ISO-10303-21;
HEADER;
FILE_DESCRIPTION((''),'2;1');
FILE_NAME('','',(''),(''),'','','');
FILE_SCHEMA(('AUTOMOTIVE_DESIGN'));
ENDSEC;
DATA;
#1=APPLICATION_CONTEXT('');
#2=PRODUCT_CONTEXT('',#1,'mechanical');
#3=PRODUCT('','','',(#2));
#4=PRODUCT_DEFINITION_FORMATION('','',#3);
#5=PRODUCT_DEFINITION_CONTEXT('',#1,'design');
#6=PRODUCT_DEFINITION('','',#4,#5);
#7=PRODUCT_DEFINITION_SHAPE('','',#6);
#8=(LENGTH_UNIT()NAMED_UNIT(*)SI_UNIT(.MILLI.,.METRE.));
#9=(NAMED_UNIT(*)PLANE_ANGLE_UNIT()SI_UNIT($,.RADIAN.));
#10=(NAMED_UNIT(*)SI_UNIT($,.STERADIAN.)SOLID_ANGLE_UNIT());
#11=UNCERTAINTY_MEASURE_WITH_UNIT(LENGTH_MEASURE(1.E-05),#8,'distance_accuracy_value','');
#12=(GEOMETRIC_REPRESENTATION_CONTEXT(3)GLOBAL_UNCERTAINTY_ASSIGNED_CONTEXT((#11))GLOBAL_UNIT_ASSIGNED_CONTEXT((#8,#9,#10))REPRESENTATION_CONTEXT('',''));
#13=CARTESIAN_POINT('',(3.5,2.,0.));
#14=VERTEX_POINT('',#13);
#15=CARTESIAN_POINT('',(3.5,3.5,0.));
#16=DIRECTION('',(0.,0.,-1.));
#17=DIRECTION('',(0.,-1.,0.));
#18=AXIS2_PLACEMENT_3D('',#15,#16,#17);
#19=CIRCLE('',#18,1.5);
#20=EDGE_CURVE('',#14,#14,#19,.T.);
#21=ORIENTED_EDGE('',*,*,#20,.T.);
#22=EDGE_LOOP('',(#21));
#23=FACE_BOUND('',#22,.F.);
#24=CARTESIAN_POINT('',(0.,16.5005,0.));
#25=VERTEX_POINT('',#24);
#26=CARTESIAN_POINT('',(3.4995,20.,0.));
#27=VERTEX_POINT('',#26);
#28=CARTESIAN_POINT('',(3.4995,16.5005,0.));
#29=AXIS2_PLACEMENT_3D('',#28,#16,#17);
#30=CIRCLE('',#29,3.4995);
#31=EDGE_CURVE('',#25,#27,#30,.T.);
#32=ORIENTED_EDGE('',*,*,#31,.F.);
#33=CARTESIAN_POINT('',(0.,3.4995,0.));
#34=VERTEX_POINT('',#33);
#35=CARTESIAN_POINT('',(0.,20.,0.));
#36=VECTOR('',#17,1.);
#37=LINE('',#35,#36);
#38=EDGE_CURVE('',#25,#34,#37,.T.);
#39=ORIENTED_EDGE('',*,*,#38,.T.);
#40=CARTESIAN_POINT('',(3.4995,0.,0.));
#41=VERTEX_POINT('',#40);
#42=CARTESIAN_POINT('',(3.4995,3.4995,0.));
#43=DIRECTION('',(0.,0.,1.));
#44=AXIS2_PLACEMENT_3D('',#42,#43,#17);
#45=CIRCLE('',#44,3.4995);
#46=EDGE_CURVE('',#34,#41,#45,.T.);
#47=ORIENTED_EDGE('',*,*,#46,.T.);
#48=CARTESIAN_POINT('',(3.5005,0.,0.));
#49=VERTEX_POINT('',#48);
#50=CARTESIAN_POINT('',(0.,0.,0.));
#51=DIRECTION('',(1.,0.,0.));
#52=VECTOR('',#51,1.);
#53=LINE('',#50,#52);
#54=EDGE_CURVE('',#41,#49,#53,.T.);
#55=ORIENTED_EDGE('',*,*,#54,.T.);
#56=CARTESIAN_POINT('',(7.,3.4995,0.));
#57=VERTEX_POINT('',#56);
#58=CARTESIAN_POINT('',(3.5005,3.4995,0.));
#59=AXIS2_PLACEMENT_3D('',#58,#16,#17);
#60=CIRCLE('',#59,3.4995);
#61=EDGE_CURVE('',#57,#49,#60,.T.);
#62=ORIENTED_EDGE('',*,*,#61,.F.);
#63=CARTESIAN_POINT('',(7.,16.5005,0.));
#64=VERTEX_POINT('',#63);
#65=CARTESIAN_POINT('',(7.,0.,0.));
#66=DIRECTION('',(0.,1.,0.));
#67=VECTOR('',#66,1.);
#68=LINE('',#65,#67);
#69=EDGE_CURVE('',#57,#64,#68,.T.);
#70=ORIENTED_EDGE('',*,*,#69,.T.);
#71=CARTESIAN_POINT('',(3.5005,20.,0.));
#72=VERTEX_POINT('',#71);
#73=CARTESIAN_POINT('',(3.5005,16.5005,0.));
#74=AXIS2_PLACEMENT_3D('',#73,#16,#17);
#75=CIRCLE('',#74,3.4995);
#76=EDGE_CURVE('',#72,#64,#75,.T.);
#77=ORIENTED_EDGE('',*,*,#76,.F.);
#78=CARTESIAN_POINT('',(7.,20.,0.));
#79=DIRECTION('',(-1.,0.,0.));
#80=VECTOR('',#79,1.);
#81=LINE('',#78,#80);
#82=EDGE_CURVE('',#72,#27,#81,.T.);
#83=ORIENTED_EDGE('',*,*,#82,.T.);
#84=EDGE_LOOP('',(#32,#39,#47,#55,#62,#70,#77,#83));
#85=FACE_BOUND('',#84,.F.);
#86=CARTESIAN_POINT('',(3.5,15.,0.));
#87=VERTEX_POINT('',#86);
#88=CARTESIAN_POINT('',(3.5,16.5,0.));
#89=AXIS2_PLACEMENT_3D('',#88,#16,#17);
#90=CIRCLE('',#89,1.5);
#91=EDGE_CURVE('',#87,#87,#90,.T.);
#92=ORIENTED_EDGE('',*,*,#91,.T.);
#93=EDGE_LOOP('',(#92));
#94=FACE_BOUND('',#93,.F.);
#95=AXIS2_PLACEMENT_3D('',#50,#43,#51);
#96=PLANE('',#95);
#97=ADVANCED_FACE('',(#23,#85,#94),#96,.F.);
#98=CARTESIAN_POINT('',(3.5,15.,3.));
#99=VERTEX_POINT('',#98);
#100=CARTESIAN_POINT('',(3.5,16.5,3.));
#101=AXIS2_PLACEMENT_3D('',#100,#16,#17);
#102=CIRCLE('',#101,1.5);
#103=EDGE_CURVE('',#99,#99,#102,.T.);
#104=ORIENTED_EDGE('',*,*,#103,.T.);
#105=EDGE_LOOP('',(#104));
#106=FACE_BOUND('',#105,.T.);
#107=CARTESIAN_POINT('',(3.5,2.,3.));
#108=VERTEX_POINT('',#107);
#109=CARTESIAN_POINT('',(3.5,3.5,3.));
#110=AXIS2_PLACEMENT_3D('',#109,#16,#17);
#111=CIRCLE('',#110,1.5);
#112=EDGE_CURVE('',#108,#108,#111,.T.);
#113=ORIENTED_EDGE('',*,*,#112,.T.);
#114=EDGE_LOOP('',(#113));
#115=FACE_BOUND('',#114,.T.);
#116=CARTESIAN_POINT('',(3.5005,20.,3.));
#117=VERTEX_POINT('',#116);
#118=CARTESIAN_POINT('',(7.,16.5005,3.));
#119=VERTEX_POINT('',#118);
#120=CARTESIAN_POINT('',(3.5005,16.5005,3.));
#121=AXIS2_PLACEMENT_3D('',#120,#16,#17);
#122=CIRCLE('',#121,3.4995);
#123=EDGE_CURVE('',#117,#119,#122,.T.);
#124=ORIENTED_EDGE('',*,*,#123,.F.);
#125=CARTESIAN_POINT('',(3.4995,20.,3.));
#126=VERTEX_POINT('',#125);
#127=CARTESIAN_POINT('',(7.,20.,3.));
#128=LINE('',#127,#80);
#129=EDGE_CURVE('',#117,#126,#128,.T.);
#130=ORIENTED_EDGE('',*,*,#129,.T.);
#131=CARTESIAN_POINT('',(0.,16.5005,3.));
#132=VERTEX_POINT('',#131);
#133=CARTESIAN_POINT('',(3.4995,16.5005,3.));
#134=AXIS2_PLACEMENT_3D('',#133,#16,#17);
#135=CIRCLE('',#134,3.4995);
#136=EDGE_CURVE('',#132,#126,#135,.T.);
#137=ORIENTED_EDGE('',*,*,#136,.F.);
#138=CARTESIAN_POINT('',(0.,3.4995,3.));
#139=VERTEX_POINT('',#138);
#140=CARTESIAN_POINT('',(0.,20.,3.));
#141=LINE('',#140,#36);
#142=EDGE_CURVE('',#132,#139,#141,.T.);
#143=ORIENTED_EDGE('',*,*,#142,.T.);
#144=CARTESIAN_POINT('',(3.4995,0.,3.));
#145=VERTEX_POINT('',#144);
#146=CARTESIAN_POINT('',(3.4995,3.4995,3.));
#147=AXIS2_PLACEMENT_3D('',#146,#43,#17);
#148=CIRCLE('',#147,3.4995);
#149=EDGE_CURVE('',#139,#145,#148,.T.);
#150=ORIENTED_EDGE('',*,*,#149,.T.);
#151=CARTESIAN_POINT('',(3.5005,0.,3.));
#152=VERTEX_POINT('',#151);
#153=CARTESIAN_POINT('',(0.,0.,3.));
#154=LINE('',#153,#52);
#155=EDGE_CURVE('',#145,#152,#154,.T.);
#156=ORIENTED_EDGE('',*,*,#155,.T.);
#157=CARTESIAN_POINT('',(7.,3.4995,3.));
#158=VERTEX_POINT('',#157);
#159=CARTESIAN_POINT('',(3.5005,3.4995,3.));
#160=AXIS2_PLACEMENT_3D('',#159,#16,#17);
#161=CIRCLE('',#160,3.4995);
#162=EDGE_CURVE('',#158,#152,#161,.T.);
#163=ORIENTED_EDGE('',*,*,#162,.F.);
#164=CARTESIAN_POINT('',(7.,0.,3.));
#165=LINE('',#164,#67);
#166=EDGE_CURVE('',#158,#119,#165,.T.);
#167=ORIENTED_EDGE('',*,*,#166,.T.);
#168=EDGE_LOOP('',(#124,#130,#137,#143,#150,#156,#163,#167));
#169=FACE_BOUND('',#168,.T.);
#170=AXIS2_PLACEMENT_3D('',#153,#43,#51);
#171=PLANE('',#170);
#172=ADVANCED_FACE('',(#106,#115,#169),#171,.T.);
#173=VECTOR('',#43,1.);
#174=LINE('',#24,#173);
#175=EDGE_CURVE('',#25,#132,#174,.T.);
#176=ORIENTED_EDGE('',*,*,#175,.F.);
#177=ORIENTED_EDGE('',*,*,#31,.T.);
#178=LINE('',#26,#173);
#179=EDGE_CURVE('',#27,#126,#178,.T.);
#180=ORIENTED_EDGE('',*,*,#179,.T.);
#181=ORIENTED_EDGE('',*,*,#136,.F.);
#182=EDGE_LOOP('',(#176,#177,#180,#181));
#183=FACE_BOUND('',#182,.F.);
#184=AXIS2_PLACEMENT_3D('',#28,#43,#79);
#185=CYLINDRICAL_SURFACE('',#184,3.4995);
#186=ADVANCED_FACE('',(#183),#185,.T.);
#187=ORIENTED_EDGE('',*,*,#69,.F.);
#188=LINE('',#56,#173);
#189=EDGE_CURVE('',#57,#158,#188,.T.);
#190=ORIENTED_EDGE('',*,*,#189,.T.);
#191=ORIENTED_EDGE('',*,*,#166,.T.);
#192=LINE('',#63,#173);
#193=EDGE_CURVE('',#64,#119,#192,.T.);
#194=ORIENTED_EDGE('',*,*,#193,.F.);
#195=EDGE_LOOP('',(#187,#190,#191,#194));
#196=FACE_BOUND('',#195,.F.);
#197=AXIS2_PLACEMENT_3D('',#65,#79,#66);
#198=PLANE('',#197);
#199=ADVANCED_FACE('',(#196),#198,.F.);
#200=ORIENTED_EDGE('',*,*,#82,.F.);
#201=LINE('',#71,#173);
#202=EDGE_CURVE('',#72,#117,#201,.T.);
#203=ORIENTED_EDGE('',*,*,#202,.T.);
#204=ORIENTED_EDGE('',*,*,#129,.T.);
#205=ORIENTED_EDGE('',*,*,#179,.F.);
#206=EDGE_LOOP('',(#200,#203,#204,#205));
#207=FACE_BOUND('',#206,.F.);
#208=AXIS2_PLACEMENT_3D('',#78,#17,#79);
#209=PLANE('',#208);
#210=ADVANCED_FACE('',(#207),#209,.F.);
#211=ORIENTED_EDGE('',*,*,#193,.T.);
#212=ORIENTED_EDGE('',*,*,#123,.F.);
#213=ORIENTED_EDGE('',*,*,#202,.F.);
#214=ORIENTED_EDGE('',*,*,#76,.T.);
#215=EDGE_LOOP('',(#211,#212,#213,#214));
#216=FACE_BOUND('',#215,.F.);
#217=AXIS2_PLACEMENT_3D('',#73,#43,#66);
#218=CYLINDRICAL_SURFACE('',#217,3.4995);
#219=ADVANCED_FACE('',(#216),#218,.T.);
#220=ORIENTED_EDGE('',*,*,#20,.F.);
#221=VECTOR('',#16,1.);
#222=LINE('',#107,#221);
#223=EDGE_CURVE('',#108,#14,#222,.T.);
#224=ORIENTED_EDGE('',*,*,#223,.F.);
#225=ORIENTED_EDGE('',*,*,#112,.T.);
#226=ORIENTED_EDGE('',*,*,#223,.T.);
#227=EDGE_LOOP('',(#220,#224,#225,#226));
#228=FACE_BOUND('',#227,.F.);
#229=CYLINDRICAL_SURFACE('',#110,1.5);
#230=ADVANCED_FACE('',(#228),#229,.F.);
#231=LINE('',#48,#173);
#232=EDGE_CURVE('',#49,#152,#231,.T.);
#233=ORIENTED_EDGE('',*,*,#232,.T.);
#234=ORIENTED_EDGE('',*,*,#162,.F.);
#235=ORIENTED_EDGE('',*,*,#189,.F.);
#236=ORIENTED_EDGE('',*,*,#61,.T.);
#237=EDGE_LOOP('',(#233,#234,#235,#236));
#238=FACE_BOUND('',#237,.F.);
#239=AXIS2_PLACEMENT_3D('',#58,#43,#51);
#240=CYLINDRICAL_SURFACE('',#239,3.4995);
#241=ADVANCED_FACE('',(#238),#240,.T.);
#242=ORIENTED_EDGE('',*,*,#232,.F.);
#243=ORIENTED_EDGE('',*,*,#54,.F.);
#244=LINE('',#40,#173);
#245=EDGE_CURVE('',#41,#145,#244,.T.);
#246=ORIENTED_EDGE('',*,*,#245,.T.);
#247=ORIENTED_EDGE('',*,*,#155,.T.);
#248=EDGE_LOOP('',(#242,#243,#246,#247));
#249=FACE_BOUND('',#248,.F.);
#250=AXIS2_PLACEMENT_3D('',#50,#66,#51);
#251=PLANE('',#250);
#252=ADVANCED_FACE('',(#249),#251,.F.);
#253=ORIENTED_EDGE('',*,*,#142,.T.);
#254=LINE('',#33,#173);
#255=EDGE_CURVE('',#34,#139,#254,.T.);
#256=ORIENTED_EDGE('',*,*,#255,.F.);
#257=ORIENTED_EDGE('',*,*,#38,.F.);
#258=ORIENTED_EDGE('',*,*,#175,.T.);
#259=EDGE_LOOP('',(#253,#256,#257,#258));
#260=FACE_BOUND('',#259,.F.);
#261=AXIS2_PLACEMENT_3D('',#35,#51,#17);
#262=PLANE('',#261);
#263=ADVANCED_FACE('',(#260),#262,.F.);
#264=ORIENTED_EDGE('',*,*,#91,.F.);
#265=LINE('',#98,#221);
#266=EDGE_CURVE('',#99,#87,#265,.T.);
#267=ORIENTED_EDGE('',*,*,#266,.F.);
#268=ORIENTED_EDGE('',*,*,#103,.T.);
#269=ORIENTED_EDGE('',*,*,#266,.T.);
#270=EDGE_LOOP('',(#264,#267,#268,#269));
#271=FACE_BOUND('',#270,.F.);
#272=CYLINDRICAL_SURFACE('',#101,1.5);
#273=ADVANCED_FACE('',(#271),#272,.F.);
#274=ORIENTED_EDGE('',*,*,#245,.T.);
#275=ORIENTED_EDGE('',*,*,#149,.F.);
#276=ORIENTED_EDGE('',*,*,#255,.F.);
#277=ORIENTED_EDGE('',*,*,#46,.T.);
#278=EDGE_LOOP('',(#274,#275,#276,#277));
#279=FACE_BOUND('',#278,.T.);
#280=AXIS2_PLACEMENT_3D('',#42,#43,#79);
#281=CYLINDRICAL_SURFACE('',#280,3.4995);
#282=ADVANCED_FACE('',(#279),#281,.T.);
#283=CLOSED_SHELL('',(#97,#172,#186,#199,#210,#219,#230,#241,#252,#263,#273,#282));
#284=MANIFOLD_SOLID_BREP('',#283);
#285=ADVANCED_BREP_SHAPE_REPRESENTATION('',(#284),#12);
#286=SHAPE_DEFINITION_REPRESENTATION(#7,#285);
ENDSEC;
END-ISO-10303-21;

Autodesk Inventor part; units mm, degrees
ref_plane "YZ Plane" through (0, 0, 0) normal (1, 0, 0) x (0, 1, 0)
ref_plane "XZ Plane" through (0, 0, 0) normal (0, 1, 0) x (-1, 0, 0)
ref_plane "XY Plane" through (0, 0, 0) normal (0, 0, 1) x (1, 0, 0)
sketch "Sketch1" plane through (0, 0, 0) normal (0, 0, 1) x (1, 0, 0)
  line L0 (0, 0) -> (7, 0)
  line L1 (7, 0) -> (7, 20)
  line L2 (7, 20) -> (0, 20)
  line L3 (0, 20) -> (0, 0)
  dimension "d0" = 7
  dimension "d1" = 20
extrude "Extrusion1" add sketch "Sketch1" along normal blind 3
fillet "Fillet1" radius 3.5 4 edges at (0, 0, 1.5) (7, 0, 1.5) (0, 20, 1.5) (7, 20, 1.5)
sketch "Sketch2" plane through (0, 0, 3) normal (0, 0, 1) x (1, 0, 0)
  arc A0 (7, 16.5) -> (0, 16.5) centre (3.5, 16.5) ccw projected
  arc A1 (0, 3.5) -> (7, 3.5) centre (3.5, 3.5) ccw projected
hole "Hole1" at (3.5, 3.5, 3) at (3.5, 16.5, 3) direction (0, 0, -1) diameter 3 end through all
properties part number "plastic_part_13"
